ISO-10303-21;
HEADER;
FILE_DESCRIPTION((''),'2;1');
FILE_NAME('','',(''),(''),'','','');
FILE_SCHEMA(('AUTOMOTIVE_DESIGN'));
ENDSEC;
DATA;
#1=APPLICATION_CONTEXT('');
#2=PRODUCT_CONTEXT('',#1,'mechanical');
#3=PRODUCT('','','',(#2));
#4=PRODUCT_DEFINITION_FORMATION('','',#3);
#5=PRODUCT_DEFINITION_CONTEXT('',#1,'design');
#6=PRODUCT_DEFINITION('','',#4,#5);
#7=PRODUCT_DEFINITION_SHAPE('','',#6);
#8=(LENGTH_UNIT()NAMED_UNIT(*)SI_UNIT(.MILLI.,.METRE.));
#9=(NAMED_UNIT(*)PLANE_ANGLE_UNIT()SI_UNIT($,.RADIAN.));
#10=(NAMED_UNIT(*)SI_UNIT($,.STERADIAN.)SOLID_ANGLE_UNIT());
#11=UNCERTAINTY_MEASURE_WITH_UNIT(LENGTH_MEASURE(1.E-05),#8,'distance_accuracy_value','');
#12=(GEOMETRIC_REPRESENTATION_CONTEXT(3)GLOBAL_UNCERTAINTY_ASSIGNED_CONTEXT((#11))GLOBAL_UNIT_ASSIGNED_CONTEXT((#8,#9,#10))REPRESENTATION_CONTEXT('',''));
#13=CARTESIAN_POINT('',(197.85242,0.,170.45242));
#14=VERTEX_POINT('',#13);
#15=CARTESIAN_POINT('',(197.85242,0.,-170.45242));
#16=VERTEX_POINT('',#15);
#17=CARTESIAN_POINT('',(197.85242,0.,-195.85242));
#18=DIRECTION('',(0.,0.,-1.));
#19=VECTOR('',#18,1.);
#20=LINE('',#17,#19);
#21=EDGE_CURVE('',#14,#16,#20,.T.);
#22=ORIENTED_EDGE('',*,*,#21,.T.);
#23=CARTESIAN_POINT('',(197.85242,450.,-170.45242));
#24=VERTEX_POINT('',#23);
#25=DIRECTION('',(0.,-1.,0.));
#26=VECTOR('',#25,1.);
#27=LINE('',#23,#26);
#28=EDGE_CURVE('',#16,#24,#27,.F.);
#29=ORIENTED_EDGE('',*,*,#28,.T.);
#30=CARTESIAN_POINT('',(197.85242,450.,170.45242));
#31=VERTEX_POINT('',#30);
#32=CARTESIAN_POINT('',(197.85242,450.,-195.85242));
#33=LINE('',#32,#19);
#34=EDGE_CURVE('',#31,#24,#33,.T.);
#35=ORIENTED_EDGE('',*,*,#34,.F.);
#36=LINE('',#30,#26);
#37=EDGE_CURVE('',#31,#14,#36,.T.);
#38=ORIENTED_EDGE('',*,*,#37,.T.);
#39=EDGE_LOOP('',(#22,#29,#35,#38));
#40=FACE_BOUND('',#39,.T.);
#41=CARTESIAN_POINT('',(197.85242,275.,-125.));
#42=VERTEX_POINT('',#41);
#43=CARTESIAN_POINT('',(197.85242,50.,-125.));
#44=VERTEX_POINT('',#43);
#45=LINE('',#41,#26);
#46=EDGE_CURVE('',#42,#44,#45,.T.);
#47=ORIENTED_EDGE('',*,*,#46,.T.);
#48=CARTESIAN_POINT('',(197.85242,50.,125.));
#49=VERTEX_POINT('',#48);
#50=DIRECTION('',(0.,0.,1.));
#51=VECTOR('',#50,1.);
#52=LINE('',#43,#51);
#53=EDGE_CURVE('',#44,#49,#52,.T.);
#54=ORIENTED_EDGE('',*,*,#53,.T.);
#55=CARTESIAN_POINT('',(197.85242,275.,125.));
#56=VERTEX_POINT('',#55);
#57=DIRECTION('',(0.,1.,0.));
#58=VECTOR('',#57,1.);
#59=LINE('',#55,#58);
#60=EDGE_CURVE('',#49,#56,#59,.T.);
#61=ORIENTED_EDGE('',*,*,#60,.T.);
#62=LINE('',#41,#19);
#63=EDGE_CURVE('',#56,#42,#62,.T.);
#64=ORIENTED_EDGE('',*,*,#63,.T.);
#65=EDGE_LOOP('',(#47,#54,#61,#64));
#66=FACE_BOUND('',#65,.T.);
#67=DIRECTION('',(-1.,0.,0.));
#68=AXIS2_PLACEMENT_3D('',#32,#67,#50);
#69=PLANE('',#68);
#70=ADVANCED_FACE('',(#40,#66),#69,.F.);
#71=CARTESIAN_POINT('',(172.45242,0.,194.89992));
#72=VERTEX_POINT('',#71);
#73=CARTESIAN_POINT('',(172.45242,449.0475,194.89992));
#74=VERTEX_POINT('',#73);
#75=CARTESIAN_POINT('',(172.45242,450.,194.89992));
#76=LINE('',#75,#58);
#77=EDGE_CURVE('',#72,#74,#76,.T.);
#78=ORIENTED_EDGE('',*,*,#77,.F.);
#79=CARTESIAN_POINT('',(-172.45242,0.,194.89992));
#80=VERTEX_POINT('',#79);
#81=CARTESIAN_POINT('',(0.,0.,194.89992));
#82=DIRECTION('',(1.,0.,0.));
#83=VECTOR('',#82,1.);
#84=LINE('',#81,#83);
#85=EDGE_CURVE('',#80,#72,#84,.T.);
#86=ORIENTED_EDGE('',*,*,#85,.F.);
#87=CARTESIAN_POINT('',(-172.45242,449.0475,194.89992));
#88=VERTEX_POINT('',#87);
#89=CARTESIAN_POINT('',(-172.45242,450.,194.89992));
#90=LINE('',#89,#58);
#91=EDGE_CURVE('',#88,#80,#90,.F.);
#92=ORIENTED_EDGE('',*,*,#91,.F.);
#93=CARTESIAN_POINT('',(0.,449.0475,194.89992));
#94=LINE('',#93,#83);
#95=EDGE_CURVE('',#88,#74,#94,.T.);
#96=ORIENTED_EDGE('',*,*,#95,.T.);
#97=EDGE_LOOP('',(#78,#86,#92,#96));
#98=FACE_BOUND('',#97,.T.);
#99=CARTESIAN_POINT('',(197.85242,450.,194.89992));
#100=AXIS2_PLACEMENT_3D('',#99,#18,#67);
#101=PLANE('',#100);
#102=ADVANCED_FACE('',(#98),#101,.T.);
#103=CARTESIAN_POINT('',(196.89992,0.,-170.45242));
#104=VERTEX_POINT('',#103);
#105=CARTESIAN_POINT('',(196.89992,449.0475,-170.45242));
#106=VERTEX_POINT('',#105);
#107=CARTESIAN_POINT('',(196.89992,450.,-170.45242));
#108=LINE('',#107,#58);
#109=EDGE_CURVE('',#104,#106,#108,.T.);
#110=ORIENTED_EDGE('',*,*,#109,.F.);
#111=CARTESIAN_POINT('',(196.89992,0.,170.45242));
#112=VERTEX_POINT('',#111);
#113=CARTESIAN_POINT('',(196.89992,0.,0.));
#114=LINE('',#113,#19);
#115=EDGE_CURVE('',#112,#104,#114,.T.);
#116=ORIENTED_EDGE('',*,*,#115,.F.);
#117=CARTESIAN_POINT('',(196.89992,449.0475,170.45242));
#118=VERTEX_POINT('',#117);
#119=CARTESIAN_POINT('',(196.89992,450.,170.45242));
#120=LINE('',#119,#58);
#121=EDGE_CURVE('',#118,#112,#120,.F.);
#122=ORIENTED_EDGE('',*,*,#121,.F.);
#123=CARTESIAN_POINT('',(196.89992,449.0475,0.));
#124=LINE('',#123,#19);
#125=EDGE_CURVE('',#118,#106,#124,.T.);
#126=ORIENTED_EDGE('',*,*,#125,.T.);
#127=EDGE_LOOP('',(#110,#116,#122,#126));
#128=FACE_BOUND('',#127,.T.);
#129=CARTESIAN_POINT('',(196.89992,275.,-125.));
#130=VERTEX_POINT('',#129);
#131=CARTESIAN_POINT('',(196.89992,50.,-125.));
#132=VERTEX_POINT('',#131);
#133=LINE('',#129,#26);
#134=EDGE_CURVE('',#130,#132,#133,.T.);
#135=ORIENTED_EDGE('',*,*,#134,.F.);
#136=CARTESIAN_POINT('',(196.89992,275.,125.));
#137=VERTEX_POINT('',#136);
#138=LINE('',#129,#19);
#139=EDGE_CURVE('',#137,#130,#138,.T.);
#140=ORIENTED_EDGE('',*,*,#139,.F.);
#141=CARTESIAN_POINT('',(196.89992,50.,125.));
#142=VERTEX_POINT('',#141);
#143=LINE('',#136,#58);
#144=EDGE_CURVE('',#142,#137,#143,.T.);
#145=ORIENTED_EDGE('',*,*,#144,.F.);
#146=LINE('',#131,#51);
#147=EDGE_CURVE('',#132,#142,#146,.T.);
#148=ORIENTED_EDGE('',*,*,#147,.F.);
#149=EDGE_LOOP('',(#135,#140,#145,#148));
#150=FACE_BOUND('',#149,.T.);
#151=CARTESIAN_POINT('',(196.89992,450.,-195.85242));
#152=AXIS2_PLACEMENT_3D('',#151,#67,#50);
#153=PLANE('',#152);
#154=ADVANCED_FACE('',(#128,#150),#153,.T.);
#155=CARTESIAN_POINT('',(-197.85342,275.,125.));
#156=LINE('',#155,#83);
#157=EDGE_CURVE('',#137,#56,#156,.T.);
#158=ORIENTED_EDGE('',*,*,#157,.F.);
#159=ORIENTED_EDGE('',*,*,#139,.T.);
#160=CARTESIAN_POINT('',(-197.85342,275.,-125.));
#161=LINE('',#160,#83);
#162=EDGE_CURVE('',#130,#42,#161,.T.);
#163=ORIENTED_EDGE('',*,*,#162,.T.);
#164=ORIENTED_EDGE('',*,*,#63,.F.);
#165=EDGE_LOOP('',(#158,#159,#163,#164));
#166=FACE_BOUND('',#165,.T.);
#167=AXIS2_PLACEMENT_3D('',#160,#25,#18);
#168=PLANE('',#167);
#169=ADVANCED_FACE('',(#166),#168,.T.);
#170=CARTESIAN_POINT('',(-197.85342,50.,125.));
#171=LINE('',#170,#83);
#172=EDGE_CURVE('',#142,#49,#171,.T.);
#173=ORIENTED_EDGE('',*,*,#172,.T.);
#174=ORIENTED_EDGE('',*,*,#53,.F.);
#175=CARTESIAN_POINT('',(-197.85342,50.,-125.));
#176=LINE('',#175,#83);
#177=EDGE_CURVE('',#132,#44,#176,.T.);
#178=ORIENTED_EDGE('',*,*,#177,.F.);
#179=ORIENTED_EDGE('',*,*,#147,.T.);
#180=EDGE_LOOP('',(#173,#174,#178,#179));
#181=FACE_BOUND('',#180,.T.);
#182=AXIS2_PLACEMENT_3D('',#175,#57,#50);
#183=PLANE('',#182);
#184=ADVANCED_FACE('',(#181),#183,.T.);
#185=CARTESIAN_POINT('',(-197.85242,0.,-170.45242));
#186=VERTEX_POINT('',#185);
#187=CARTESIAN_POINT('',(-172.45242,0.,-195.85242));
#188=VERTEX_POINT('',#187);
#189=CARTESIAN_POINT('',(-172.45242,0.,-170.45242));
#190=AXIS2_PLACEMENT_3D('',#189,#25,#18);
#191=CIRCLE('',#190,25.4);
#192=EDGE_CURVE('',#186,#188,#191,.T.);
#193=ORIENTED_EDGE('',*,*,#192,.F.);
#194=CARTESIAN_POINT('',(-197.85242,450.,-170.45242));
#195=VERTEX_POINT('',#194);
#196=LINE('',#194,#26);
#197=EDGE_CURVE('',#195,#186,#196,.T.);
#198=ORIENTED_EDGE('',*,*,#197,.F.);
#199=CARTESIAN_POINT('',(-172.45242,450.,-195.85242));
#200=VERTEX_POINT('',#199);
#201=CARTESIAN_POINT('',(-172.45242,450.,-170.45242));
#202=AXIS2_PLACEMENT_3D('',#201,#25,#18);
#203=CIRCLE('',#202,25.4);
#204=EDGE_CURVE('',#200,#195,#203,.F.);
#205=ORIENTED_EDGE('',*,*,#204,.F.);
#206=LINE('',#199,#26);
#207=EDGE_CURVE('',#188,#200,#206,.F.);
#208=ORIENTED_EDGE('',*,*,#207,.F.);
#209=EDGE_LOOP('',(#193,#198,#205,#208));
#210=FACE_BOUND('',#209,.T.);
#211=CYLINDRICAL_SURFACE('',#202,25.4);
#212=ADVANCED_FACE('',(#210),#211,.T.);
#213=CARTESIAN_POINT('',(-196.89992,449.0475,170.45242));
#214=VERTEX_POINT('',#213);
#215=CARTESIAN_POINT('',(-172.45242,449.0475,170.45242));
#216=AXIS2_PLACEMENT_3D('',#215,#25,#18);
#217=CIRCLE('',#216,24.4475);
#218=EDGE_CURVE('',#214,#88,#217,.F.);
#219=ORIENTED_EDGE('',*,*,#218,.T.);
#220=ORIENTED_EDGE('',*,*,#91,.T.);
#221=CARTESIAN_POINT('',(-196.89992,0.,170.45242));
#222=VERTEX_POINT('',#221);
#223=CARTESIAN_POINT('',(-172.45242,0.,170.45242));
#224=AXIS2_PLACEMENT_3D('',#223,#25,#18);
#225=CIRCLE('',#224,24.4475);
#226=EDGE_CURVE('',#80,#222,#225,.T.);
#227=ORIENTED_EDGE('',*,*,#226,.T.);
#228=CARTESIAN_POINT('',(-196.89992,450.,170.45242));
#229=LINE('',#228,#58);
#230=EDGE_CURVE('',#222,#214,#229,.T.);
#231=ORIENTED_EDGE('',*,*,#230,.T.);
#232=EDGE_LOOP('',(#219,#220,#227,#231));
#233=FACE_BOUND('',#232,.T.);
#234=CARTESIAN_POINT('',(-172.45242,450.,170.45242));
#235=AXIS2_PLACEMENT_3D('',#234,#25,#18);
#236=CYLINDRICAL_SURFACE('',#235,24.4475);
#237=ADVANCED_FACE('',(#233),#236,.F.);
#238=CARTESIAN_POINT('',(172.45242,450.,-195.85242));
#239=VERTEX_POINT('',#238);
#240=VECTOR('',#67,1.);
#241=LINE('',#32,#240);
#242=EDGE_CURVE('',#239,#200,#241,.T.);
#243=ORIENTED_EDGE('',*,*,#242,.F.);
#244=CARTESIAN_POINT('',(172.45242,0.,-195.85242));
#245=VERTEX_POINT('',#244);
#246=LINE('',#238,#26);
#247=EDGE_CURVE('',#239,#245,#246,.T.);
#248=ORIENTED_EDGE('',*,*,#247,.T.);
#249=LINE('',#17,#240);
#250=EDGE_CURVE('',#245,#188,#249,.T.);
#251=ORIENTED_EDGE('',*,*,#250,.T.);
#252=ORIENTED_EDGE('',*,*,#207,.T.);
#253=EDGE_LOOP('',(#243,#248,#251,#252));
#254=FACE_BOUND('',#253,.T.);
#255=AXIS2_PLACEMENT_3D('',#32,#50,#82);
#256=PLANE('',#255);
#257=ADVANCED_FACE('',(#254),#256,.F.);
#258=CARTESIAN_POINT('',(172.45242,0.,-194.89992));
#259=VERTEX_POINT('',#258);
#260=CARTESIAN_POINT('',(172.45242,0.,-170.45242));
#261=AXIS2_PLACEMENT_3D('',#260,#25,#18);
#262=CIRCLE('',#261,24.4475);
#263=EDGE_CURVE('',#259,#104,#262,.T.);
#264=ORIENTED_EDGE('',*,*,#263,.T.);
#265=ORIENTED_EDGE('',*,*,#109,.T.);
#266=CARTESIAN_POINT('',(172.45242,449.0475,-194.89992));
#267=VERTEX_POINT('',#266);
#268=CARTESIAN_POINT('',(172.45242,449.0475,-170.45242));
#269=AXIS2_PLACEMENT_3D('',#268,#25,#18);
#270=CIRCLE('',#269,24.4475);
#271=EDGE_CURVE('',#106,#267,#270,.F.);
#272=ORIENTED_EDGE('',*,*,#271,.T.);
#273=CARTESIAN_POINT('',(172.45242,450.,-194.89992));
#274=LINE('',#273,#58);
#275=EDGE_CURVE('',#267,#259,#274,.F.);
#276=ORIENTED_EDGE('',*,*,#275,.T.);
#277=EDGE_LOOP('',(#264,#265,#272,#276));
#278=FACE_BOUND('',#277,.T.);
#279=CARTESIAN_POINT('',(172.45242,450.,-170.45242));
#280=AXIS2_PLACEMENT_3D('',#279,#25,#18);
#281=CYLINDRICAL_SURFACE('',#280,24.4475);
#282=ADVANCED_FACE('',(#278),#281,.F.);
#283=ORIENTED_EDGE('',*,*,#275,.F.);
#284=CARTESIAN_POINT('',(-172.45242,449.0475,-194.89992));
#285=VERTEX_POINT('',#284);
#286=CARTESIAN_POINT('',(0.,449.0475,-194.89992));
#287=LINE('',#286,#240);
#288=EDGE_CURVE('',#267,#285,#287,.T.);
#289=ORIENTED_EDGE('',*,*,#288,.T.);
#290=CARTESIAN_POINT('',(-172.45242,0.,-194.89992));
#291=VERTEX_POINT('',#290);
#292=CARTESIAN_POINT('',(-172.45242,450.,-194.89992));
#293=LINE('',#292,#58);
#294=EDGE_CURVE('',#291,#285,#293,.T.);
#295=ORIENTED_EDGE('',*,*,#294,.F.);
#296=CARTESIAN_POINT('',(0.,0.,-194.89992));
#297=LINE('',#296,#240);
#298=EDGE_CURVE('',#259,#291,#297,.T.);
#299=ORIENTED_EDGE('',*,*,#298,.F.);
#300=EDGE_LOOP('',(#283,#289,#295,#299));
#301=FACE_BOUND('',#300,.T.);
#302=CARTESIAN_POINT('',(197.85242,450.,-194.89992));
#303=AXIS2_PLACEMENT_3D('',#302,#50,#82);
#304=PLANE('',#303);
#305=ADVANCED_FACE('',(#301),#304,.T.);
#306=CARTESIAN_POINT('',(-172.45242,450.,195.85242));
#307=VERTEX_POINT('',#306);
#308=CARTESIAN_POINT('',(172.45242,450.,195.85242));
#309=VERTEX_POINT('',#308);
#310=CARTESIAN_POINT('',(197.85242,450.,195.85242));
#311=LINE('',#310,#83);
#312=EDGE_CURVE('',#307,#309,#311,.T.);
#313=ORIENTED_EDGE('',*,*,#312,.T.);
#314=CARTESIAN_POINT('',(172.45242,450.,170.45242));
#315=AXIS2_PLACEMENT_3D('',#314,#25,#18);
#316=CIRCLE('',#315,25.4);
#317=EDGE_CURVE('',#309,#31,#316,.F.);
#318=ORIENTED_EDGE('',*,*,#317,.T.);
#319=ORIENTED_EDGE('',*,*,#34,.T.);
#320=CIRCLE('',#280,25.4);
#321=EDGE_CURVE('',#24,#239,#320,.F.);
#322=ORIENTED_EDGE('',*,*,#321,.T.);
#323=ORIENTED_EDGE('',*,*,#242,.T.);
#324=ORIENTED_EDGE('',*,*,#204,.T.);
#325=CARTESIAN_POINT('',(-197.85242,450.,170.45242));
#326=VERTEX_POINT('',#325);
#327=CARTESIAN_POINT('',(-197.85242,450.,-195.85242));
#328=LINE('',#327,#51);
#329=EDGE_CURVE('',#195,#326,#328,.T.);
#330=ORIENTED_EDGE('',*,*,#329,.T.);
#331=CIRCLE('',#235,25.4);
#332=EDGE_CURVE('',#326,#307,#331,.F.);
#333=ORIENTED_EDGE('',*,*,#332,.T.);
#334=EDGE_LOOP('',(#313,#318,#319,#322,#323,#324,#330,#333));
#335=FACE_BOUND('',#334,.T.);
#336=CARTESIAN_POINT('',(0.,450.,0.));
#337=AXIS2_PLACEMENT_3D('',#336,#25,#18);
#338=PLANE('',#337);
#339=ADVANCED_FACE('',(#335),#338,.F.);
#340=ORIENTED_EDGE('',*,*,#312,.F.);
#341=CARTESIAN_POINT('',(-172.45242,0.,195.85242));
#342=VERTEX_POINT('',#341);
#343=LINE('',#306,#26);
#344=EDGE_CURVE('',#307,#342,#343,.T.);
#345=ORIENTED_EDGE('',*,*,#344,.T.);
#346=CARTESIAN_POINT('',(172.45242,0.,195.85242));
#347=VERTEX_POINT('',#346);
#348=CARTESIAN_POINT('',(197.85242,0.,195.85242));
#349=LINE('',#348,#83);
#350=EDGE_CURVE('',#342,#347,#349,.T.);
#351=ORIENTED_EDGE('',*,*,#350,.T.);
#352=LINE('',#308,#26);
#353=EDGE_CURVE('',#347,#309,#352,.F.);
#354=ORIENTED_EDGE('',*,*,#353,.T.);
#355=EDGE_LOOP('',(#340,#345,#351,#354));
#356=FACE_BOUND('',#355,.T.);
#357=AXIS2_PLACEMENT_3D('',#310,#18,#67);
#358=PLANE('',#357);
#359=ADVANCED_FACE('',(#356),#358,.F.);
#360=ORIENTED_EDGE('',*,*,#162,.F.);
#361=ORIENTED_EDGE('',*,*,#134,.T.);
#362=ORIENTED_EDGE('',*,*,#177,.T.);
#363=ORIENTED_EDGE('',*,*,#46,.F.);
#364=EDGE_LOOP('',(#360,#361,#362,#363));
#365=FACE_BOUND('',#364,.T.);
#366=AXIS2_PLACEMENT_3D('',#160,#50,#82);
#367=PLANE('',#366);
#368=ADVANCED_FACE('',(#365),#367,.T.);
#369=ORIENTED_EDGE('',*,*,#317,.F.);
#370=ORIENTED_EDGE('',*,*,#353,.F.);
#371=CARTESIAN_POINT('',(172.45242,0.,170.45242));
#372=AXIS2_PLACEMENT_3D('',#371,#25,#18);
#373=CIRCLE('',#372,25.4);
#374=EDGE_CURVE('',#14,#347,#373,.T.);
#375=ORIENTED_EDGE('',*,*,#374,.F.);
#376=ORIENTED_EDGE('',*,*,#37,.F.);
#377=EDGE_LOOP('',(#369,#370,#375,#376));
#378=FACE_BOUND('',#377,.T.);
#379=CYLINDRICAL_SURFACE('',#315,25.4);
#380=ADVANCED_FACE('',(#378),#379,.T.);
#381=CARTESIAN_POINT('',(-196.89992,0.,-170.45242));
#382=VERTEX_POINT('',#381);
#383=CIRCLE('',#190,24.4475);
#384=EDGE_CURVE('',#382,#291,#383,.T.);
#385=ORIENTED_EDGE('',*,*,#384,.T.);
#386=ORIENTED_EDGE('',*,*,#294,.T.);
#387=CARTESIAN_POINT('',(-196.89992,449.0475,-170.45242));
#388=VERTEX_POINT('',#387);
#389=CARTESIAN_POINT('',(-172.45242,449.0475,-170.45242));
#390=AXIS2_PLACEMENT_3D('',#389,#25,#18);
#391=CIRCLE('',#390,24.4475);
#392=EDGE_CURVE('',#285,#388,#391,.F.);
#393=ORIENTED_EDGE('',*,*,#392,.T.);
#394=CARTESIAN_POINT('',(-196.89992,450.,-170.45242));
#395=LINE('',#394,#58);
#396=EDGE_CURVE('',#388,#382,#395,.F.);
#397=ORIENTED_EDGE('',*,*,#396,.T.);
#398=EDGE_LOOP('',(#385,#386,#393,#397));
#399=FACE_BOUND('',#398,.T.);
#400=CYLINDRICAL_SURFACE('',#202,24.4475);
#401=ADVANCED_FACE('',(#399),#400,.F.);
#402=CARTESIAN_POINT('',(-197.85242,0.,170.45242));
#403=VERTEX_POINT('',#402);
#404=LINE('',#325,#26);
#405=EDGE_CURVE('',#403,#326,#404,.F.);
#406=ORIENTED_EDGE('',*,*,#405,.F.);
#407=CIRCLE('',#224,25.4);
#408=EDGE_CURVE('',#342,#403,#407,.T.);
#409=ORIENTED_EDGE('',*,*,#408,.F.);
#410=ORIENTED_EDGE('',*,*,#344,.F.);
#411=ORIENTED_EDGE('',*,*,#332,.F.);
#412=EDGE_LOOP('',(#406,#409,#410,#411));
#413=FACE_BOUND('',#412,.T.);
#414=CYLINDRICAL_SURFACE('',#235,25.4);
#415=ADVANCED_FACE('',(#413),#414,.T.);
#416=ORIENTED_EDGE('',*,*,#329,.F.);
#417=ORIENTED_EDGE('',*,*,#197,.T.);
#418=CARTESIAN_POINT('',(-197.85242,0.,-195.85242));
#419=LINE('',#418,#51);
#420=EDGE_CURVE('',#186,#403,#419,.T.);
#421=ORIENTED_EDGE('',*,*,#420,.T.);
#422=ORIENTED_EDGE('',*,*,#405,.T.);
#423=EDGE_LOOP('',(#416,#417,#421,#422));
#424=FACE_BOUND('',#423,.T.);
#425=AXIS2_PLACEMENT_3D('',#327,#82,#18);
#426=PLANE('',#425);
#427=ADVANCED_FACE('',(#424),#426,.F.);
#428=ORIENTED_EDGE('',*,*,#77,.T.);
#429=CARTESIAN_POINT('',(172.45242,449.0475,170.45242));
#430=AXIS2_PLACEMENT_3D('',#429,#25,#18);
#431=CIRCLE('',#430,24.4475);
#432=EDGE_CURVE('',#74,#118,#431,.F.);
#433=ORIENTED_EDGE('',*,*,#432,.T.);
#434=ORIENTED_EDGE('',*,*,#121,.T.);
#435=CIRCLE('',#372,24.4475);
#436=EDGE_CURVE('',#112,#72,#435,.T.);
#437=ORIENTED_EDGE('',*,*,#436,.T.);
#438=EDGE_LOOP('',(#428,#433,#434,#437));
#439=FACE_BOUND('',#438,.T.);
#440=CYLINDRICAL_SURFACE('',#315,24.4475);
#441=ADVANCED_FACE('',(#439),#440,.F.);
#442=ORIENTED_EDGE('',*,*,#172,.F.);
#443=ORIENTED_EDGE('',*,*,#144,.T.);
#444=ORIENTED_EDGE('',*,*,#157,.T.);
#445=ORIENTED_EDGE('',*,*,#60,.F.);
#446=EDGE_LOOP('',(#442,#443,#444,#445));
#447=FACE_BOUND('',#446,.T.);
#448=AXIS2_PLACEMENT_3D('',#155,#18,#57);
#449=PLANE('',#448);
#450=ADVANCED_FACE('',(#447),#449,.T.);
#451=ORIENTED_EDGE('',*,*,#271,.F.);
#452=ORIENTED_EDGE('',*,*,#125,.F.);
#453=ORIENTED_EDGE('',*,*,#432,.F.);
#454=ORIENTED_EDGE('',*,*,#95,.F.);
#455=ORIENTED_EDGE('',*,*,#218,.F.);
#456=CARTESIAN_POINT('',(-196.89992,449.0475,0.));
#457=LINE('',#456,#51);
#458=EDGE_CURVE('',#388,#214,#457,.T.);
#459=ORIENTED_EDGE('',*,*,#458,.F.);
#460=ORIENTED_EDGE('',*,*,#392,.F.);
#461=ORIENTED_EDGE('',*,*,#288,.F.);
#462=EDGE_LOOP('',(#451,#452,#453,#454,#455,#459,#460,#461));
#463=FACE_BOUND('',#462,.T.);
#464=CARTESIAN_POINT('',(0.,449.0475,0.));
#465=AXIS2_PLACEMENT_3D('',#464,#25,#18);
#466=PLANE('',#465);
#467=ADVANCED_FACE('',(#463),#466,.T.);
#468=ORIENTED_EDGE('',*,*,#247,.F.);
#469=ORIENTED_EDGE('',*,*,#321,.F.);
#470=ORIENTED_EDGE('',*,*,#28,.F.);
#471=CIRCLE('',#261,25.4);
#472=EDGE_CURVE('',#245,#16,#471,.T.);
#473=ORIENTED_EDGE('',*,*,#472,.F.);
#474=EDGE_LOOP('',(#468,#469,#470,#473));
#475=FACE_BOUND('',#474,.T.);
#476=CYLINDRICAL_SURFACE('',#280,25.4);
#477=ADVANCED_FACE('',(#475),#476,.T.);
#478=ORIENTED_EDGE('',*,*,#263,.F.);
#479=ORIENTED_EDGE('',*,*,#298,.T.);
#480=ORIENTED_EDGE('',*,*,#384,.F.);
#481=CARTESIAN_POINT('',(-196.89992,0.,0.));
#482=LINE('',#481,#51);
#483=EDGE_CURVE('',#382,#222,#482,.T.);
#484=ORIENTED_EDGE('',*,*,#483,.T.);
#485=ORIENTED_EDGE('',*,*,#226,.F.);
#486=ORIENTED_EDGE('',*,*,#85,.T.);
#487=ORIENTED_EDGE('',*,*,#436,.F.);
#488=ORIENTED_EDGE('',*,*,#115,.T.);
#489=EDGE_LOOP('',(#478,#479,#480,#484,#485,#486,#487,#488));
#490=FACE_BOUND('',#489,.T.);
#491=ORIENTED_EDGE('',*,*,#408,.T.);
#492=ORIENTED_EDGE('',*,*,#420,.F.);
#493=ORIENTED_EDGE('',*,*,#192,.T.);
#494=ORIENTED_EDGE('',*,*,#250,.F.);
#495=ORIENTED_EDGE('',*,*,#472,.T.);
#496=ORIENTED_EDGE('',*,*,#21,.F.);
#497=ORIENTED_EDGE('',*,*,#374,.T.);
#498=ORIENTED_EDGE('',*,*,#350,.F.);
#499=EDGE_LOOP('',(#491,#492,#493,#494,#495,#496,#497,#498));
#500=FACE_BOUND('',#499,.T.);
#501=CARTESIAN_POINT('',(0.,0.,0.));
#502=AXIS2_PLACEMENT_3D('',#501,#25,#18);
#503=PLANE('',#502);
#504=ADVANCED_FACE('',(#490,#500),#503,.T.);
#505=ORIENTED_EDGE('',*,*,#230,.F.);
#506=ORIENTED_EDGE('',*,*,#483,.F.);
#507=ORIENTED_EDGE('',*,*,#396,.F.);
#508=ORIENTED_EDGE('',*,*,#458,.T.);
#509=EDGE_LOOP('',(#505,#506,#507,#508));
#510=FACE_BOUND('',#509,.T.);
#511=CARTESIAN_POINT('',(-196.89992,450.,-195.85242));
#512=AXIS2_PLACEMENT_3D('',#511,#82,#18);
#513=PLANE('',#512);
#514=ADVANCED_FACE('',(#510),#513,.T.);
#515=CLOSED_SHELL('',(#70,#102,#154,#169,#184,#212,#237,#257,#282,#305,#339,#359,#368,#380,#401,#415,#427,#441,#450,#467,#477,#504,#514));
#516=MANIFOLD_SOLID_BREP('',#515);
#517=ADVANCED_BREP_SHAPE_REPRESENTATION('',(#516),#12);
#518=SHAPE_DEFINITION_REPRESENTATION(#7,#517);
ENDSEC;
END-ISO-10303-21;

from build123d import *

# Parameters (mm, degrees)
SKETCH1_W           = 395.70484
SKETCH1_H           = 391.70484
BOSS_EXTRUDE1_DEPTH = 450
FILLET1_R           = 25.4
SHELL1_T            = -0.9525
CUT_EXTRUDE1_REACH  = 397.705
SKETCH2_W           = 250
SKETCH2_H           = 225


with BuildPart() as part:
    # Sketch1 → Boss-Extrude1 (new body)
    with BuildSketch(Plane(origin=(0, 0, 0), x_dir=(1, 0, 0), z_dir=(0, 1, 0))):
        Rectangle(SKETCH1_W, SKETCH1_H)
    extrude(amount=BOSS_EXTRUDE1_DEPTH)

    # Fillet1
    fillet1_edges = [part.edges().sort_by_distance(p)[0] for p in [
        (-197.85242, 225, -195.85242),
        (197.85242, 225, -195.85242),
        (197.85242, 225, 195.85242),
        (-197.85242, 225, 195.85242),
    ]]
    fillet(fillet1_edges, radius=FILLET1_R)

    # Shell1
    shell1_openings = [part.faces().sort_by_distance(p)[0] for p in [
        (0, 0, 0),
    ]]
    offset(amount=SHELL1_T, openings=shell1_openings, kind=Kind.INTERSECTION)

    # Sketch2 → Cut-Extrude1 (cut, up to next)
    with BuildSketch(Plane(origin=(197.85242, 0, -2), x_dir=(0, 0, 1), z_dir=(-1, 0, 0)), mode=Mode.PRIVATE) as cut_extrude1_sk1:
        with Locations((2, 162.5)):
            Rectangle(SKETCH2_W, SKETCH2_H)
    cut_extrude1_tool1 = extrude(cut_extrude1_sk1.sketch, amount=CUT_EXTRUDE1_REACH, mode=Mode.PRIVATE) & part.part
    add(cut_extrude1_tool1.solids().sort_by_distance((197.85242, 162.5, 0))[0], mode=Mode.SUBTRACT)


solid = part.part
